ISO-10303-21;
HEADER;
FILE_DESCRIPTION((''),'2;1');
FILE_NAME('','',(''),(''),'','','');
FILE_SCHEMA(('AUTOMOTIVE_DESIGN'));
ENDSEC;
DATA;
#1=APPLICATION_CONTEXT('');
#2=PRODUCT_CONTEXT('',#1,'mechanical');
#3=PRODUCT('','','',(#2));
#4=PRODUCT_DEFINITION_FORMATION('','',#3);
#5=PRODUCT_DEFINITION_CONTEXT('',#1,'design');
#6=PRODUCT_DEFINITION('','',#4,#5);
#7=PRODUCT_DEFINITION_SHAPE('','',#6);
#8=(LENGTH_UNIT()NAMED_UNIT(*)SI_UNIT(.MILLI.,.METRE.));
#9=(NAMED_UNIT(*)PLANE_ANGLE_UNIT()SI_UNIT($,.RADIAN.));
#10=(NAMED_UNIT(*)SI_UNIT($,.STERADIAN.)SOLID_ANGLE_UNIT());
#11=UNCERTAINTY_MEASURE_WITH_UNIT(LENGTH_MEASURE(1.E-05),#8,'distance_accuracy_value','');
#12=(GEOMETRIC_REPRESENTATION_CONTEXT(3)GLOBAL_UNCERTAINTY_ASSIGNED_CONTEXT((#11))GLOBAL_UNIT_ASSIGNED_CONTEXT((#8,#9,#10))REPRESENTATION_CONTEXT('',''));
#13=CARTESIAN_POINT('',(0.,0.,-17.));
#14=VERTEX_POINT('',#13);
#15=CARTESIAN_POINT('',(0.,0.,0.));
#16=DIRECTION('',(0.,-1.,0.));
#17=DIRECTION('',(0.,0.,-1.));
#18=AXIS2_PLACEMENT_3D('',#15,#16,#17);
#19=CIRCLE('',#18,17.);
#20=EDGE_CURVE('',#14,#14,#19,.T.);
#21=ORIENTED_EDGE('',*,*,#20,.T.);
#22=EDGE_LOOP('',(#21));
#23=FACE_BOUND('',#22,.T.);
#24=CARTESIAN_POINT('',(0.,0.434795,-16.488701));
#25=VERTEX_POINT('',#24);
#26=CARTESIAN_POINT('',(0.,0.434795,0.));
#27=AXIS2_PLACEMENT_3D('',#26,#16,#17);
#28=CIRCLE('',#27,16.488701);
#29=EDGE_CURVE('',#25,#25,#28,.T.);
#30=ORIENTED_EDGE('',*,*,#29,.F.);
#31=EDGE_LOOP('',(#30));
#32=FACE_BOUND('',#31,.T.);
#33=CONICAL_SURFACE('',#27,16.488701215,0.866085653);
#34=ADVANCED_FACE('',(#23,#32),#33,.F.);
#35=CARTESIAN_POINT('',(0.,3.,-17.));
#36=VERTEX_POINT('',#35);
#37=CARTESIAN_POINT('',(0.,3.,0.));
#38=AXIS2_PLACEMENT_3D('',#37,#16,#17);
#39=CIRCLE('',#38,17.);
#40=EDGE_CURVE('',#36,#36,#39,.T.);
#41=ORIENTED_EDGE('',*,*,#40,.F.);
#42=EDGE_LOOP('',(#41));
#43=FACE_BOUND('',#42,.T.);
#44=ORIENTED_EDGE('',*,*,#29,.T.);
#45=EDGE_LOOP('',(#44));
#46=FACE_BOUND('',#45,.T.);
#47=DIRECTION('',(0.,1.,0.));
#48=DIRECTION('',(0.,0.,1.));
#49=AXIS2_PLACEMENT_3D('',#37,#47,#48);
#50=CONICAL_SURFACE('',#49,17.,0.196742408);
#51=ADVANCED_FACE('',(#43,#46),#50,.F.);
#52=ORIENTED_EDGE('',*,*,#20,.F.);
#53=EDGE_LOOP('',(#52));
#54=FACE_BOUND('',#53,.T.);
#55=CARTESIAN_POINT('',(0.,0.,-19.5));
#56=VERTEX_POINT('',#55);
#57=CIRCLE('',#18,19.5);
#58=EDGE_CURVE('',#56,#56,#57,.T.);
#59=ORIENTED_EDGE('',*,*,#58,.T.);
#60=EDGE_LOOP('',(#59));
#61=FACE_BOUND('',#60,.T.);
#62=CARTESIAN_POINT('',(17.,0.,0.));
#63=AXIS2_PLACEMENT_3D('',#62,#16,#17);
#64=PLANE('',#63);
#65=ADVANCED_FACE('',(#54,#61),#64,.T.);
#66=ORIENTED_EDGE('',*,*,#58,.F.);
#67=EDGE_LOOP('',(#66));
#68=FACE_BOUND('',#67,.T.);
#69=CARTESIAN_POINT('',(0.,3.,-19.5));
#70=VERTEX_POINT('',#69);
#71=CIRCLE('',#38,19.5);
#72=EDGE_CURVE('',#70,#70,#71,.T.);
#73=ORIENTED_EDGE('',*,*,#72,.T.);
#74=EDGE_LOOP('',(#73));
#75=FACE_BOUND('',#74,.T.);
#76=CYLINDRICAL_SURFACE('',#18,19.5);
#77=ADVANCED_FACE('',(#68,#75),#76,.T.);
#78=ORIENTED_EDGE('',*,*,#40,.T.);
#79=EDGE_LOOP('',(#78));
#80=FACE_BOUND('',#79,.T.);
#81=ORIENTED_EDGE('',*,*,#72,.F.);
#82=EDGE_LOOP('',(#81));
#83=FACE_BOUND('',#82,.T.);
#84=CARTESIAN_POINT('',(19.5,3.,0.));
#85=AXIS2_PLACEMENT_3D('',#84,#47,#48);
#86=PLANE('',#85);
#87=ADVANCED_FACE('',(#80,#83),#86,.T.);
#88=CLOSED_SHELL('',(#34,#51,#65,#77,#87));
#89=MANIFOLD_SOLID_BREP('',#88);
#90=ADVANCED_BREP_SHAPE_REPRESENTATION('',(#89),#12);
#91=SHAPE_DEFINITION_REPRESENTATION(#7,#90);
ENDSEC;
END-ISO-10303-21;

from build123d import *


with BuildPart() as part:
    # Schizzo1 → Rivoluzione1 (revolve)
    with BuildSketch(Plane.XY):
        Polygon((17, 0), (19.5, 0), (19.5, 3), (17, 3), (16.488701215, 0.434794773), align=None)
    revolve(axis=Axis((0, 0, 0), (0, 1, 0)))


solid = part.part
